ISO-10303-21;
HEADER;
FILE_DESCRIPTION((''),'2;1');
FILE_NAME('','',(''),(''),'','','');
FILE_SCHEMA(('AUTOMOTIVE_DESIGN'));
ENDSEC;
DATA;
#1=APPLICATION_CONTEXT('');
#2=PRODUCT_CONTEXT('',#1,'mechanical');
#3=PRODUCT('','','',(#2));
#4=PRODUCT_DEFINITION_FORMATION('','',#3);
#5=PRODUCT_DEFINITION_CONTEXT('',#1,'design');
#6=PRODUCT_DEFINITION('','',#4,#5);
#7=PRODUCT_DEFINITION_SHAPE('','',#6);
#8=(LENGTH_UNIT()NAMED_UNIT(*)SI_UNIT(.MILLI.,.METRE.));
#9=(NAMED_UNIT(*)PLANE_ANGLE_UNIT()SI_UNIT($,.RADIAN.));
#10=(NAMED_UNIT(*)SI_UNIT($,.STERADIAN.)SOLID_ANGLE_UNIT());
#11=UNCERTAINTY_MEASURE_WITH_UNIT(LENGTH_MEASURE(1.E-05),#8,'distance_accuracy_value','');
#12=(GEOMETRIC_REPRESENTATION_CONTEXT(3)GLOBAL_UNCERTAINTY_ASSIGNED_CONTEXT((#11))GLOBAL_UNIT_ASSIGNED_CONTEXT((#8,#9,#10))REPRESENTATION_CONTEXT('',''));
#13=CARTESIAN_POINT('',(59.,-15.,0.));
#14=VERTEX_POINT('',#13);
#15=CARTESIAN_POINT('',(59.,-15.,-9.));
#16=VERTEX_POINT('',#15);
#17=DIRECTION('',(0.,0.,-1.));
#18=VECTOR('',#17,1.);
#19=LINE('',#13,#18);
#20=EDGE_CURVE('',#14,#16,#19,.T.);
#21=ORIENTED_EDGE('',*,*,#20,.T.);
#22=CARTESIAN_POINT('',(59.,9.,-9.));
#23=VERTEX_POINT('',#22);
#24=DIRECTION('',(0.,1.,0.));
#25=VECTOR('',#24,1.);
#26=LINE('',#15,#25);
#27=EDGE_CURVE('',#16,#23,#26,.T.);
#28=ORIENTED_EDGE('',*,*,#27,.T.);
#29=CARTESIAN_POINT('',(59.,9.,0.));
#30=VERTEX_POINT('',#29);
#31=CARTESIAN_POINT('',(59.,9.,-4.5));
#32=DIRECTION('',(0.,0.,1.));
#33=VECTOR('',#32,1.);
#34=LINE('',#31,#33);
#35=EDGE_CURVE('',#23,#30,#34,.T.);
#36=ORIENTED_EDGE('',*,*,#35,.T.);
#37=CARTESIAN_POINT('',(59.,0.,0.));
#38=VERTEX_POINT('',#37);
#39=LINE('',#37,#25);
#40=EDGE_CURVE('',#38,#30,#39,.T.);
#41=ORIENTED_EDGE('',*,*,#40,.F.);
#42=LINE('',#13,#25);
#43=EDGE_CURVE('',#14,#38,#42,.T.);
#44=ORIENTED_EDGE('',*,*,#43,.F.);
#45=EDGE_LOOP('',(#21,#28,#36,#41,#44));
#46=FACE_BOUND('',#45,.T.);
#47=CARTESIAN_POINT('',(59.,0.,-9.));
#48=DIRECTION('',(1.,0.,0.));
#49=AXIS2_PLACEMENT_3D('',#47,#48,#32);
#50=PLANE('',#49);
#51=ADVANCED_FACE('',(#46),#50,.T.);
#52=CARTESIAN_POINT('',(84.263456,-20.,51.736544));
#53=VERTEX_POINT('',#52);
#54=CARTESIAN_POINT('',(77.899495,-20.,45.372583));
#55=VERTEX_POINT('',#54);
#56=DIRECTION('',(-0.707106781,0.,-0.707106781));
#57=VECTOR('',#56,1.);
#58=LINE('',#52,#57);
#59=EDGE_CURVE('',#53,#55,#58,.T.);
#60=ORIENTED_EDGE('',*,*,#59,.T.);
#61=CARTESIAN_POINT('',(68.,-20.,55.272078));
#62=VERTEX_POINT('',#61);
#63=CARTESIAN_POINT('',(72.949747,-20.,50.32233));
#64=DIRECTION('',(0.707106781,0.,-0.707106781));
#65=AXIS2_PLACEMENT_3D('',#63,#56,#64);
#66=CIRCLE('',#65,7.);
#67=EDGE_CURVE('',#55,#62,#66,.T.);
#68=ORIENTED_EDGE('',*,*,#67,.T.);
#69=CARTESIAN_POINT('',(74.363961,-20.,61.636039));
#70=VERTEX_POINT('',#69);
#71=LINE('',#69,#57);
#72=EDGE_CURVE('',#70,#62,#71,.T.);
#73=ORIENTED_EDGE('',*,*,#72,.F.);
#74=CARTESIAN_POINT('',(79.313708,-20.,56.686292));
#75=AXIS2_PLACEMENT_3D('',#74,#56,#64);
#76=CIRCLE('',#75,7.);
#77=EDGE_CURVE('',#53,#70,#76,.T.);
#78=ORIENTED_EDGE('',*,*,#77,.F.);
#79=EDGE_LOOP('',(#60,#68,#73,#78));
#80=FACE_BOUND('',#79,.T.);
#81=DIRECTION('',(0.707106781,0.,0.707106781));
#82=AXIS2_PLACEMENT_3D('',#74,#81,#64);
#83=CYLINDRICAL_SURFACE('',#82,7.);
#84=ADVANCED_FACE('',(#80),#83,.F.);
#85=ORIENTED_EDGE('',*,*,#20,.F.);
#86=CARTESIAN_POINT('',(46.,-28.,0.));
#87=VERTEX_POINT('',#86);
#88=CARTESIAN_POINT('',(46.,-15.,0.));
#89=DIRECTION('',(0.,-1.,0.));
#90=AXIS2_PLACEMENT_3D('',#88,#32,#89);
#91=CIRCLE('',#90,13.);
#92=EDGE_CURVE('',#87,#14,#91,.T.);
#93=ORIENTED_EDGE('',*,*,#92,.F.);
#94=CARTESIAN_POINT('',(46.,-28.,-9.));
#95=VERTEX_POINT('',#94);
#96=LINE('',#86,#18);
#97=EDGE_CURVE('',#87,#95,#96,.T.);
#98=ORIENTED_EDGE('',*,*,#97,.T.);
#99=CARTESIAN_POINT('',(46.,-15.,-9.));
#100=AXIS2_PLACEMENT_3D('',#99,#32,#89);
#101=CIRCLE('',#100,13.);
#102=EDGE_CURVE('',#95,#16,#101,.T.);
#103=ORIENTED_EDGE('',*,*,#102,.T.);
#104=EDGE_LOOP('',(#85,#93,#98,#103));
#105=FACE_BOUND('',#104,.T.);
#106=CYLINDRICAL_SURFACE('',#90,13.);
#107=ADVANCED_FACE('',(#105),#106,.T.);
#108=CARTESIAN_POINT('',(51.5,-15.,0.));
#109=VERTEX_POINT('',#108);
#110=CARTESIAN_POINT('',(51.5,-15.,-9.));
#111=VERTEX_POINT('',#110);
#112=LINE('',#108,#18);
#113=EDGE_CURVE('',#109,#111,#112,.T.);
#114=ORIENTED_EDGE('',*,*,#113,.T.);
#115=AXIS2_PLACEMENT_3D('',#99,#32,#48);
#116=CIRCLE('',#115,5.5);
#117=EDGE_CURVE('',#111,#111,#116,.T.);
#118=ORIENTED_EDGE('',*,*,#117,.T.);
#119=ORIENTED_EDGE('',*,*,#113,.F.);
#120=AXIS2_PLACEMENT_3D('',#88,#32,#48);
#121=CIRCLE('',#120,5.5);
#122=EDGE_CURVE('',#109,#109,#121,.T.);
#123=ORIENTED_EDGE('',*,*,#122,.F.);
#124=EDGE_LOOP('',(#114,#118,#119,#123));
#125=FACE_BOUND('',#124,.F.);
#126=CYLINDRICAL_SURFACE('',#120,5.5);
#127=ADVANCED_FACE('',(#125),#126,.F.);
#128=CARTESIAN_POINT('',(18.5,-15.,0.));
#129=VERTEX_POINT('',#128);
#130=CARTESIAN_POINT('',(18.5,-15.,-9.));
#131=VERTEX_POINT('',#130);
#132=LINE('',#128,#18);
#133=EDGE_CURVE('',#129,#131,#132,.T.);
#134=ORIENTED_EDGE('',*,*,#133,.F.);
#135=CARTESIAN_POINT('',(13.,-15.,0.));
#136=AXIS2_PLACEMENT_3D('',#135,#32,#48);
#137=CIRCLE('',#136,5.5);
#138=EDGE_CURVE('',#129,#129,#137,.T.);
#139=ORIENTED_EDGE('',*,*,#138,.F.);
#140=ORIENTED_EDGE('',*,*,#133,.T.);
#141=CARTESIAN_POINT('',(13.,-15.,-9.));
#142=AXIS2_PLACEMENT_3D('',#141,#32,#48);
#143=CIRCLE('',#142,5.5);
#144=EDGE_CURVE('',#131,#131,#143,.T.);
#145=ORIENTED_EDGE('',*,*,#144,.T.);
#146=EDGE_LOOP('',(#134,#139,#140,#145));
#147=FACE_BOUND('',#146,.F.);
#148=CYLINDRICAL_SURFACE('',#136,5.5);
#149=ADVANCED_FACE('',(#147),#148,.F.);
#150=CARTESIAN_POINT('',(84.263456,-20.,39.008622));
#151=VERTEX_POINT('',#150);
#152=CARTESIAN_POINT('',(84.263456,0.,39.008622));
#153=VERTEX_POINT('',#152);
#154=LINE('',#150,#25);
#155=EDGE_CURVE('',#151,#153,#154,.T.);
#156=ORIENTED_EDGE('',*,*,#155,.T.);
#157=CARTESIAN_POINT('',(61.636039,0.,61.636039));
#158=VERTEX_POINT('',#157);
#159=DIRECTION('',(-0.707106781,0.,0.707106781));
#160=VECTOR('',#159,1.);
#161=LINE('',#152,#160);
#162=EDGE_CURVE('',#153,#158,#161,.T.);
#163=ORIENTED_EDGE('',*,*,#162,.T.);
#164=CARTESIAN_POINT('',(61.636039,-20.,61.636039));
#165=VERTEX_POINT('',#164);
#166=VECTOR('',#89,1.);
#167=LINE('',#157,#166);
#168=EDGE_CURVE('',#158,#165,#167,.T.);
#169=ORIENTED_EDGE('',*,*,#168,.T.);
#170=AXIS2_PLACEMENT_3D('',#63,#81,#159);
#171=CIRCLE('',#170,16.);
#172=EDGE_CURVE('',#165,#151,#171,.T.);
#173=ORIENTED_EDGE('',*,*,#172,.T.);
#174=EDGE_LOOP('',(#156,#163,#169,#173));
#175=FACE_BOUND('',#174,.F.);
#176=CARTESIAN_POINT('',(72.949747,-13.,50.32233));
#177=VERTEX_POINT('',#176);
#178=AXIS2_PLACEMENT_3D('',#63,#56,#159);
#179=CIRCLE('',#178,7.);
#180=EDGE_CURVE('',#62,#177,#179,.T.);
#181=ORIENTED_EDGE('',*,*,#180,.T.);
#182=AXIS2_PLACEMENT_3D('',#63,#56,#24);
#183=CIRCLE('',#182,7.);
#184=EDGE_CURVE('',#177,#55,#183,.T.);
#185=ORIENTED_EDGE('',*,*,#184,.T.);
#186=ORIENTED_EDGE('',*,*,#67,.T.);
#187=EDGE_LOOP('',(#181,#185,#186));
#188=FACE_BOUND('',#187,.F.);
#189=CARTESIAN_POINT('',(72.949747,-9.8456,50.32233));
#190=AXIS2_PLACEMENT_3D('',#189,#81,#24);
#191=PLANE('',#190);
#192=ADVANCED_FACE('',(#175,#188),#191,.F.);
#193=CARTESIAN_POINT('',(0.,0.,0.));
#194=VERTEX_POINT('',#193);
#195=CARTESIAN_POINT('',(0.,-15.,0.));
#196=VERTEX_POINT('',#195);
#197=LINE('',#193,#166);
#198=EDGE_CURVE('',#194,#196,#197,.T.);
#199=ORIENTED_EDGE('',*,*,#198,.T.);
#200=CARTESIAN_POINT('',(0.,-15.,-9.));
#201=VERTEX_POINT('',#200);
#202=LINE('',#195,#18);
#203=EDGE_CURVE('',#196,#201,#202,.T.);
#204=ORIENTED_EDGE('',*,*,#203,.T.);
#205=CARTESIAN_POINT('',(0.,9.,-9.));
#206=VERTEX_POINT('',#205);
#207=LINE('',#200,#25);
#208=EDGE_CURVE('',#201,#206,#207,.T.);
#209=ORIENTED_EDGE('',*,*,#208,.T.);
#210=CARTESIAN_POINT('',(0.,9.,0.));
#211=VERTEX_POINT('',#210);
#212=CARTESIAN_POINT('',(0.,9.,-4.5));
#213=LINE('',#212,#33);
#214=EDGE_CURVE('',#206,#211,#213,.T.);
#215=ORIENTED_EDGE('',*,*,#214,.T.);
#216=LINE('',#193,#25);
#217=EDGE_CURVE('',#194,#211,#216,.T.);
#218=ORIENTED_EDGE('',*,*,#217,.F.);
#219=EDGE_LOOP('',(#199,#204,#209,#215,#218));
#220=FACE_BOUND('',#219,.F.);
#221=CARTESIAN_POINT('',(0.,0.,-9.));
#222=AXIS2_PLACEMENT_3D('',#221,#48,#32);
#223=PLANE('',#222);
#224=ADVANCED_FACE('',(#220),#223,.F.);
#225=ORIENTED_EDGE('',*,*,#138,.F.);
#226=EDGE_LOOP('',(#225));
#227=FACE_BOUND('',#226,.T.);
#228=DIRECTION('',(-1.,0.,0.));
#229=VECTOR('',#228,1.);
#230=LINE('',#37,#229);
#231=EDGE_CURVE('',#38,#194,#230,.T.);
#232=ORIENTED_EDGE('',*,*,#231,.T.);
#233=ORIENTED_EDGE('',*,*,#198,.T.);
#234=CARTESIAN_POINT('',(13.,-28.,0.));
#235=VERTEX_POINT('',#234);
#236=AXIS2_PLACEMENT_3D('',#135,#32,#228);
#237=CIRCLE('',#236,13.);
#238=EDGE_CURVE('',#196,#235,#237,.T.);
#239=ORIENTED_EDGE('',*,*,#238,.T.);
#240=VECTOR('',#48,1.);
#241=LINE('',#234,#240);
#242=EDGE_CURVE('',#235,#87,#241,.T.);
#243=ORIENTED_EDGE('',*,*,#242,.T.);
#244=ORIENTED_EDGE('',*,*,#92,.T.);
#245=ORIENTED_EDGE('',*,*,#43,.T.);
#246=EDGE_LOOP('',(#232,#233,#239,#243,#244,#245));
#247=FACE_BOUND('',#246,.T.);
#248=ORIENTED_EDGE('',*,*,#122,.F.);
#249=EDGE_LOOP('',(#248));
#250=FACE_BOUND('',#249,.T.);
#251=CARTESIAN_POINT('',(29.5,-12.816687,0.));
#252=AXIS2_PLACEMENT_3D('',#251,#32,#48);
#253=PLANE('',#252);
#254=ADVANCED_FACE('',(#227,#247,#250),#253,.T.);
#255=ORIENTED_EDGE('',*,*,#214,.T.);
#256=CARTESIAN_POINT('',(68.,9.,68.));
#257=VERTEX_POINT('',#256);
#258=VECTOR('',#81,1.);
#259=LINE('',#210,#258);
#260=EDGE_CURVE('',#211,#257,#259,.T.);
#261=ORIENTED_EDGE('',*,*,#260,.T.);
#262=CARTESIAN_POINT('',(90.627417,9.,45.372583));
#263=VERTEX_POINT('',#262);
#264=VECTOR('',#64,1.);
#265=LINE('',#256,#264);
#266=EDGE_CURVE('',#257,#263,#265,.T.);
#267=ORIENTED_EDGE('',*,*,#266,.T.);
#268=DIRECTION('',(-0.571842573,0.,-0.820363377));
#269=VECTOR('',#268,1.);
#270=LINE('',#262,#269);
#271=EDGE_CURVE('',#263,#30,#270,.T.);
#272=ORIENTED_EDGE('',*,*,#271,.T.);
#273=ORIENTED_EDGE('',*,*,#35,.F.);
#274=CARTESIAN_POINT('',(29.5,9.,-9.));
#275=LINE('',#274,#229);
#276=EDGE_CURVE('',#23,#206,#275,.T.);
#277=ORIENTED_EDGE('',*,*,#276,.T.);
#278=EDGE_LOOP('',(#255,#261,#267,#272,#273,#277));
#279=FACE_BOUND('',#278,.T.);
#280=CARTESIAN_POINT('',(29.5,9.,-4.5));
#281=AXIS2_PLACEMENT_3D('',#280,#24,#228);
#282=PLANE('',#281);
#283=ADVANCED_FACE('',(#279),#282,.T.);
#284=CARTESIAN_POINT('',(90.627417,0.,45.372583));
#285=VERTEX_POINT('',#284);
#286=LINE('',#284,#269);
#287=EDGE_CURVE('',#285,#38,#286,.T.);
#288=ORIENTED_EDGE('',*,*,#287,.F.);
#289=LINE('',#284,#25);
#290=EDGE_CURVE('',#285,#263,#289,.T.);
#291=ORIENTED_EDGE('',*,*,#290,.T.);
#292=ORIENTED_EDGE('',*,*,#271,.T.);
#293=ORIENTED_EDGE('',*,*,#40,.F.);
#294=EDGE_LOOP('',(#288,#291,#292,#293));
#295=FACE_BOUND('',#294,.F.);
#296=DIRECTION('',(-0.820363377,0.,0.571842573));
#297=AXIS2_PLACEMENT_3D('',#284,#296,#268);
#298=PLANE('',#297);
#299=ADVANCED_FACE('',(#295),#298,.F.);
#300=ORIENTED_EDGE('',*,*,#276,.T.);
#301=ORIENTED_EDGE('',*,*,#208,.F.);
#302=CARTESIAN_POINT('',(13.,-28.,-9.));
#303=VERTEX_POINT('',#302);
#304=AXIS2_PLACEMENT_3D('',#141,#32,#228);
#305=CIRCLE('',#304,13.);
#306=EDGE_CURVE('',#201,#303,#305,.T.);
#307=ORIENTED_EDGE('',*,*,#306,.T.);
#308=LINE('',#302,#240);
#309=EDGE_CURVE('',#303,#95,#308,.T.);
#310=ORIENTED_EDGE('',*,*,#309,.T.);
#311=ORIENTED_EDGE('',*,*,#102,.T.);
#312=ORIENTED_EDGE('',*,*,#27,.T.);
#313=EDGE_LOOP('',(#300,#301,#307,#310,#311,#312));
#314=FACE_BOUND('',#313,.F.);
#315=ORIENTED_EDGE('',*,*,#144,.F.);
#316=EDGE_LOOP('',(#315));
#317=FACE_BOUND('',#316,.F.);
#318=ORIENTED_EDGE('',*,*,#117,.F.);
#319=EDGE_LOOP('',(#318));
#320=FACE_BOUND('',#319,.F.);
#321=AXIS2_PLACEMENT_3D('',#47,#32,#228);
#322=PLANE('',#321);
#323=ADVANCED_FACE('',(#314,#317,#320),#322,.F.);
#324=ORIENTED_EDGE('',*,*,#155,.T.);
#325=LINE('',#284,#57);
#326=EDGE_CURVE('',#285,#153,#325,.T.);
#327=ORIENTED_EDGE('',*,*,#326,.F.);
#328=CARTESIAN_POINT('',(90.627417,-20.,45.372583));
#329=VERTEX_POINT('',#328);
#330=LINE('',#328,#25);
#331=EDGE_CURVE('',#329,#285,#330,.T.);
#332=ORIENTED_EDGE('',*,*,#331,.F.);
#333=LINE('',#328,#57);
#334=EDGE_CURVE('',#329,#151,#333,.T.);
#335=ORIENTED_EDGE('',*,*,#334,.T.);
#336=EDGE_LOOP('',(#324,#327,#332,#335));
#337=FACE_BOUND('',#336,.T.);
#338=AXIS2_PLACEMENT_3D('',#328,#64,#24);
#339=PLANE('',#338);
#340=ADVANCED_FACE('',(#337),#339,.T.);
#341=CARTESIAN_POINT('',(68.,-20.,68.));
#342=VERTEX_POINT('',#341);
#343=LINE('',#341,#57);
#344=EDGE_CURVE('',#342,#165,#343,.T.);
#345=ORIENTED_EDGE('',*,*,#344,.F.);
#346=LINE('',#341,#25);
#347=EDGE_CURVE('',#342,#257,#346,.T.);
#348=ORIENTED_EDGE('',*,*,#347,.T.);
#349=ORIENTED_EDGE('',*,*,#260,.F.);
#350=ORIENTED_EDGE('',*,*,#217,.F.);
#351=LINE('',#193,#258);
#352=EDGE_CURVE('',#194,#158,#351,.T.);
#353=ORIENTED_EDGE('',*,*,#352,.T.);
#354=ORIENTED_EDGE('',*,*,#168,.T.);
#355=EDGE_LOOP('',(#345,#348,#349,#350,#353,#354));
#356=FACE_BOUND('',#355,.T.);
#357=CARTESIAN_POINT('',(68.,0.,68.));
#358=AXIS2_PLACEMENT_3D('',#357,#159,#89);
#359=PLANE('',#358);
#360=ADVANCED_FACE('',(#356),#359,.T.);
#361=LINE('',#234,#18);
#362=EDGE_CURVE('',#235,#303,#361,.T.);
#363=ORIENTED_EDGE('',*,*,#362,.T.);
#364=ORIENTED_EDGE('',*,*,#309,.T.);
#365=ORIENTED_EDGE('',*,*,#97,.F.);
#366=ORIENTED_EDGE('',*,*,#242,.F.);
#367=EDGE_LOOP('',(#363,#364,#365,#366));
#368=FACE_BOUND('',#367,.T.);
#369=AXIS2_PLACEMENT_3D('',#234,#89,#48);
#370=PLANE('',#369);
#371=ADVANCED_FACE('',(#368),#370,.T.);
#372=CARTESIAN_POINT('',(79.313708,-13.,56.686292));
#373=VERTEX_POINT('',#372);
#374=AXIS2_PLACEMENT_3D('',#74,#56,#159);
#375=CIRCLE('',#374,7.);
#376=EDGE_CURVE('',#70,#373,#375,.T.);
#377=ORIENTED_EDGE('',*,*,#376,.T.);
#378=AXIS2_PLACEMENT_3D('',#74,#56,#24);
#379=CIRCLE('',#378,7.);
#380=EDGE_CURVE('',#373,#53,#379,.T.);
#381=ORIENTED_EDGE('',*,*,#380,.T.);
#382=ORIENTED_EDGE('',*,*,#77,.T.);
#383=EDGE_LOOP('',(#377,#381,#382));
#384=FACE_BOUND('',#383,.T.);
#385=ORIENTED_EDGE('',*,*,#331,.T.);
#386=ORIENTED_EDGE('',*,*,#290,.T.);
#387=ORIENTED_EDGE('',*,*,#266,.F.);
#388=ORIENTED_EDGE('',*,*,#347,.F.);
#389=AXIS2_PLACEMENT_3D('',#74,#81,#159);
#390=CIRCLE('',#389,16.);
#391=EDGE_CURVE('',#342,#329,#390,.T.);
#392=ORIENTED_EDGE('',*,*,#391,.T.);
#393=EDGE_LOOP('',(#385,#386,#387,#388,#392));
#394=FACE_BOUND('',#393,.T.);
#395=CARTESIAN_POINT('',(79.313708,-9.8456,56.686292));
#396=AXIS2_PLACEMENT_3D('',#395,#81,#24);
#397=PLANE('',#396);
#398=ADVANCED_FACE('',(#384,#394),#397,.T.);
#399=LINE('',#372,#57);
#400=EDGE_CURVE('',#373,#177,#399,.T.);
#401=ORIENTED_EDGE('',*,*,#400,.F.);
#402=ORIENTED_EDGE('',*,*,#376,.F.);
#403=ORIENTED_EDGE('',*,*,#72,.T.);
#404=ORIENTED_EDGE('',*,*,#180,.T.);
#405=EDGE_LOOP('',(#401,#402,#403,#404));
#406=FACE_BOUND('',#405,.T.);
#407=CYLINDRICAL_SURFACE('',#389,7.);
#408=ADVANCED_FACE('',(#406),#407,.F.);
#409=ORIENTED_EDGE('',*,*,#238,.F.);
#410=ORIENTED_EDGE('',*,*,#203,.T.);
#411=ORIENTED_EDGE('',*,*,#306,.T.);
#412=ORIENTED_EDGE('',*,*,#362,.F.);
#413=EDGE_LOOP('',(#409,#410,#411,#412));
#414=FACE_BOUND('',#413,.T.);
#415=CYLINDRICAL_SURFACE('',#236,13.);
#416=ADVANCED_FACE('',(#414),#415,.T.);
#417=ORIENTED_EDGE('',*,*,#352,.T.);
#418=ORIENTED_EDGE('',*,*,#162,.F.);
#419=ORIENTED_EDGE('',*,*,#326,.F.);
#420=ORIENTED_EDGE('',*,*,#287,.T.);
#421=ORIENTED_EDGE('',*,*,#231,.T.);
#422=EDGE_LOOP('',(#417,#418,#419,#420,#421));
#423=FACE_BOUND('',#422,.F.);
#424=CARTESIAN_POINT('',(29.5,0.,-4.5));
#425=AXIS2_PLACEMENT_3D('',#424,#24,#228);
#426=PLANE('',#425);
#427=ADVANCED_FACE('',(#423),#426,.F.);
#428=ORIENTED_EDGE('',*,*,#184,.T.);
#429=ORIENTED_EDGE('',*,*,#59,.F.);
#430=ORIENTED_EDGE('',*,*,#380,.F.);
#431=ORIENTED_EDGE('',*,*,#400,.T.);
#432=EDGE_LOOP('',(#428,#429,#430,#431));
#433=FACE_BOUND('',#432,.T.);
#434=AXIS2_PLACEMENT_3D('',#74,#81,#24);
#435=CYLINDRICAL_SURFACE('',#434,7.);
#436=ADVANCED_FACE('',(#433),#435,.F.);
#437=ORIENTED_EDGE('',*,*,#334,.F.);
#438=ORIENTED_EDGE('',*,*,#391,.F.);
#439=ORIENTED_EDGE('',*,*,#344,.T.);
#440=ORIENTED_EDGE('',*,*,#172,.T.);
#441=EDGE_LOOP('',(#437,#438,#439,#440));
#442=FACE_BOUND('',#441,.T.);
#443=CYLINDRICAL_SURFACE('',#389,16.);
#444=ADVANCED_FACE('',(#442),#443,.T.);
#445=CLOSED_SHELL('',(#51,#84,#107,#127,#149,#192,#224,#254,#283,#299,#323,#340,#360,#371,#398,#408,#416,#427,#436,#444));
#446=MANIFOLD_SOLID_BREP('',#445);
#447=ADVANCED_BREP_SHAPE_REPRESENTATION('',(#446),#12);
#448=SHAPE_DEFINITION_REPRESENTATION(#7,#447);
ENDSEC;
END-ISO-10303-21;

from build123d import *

# Parameters (mm, degrees)
F0_R     = 5.5
F1_DEPTH = 9
F2_W     = 59
F2_H     = 9
F3_DEPTH = 9
F5_DEPTH = 9


with BuildPart() as f1:
    # F0 (on Top) → F1 (new body)
    with BuildSketch(Plane.XY):
        with BuildLine():
            Line((59, 0), (0, 0))
            Line((0, 0), (0, -15))
            ThreePointArc((0, -15), (3.8076118446, -24.1923881554), (13, -28))
            Line((13, -28), (46, -28))
            ThreePointArc((46, -28), (55.1923881554, -24.1923881554), (59, -15))
            Line((59, -15), (59, 0))
        make_face()
        with Locations((13, -15)):
            Circle(F0_R, mode=Mode.SUBTRACT)
        with Locations((46, -15)):
            Circle(F0_R, mode=Mode.SUBTRACT)
    extrude(amount=-F1_DEPTH)

    # F2 (on face) → F3 (join)
    with BuildSketch(Plane(origin=(0, 0, 0), x_dir=(-1, 0, 0), z_dir=(0, 1, 0))):
        with Locations((-29.5, -4.5)):
            Rectangle(F2_W, F2_H)
        Polygon((0, 0), (-68, 68), (-90.627416998, 45.372583002), (-59, 0), align=None)
    extrude(amount=F3_DEPTH)

    # F4 (on face) → F5 (join)
    with BuildSketch(Plane(origin=(68, 0, 68), x_dir=(0, 1, 0), z_dir=(0.7071067812, 0, 0.7071067812))):
        with BuildLine():
            Line((0, -32), (0, 0))
            Line((0, 0), (-20, 0))
            Line((-20, 0), (-20, -9))
            ThreePointArc((-20, -9), (-15.0502525317, -11.0502525317), (-13, -16))
            ThreePointArc((-13, -16), (-15.0502525317, -20.9497474683), (-20, -23))
            Line((-20, -23), (-20, -32))
            Line((-20, -32), (0, -32))
        make_face()
        with BuildLine():
            Line((-20, -9), (-20, 0))
            ThreePointArc((-20, 0), (-36, -16), (-20, -32))
            Line((-20, -32), (-20, -23))
            ThreePointArc((-20, -23), (-27, -16), (-20, -9))
        make_face()
    extrude(amount=-F5_DEPTH)


solid = f1.part
